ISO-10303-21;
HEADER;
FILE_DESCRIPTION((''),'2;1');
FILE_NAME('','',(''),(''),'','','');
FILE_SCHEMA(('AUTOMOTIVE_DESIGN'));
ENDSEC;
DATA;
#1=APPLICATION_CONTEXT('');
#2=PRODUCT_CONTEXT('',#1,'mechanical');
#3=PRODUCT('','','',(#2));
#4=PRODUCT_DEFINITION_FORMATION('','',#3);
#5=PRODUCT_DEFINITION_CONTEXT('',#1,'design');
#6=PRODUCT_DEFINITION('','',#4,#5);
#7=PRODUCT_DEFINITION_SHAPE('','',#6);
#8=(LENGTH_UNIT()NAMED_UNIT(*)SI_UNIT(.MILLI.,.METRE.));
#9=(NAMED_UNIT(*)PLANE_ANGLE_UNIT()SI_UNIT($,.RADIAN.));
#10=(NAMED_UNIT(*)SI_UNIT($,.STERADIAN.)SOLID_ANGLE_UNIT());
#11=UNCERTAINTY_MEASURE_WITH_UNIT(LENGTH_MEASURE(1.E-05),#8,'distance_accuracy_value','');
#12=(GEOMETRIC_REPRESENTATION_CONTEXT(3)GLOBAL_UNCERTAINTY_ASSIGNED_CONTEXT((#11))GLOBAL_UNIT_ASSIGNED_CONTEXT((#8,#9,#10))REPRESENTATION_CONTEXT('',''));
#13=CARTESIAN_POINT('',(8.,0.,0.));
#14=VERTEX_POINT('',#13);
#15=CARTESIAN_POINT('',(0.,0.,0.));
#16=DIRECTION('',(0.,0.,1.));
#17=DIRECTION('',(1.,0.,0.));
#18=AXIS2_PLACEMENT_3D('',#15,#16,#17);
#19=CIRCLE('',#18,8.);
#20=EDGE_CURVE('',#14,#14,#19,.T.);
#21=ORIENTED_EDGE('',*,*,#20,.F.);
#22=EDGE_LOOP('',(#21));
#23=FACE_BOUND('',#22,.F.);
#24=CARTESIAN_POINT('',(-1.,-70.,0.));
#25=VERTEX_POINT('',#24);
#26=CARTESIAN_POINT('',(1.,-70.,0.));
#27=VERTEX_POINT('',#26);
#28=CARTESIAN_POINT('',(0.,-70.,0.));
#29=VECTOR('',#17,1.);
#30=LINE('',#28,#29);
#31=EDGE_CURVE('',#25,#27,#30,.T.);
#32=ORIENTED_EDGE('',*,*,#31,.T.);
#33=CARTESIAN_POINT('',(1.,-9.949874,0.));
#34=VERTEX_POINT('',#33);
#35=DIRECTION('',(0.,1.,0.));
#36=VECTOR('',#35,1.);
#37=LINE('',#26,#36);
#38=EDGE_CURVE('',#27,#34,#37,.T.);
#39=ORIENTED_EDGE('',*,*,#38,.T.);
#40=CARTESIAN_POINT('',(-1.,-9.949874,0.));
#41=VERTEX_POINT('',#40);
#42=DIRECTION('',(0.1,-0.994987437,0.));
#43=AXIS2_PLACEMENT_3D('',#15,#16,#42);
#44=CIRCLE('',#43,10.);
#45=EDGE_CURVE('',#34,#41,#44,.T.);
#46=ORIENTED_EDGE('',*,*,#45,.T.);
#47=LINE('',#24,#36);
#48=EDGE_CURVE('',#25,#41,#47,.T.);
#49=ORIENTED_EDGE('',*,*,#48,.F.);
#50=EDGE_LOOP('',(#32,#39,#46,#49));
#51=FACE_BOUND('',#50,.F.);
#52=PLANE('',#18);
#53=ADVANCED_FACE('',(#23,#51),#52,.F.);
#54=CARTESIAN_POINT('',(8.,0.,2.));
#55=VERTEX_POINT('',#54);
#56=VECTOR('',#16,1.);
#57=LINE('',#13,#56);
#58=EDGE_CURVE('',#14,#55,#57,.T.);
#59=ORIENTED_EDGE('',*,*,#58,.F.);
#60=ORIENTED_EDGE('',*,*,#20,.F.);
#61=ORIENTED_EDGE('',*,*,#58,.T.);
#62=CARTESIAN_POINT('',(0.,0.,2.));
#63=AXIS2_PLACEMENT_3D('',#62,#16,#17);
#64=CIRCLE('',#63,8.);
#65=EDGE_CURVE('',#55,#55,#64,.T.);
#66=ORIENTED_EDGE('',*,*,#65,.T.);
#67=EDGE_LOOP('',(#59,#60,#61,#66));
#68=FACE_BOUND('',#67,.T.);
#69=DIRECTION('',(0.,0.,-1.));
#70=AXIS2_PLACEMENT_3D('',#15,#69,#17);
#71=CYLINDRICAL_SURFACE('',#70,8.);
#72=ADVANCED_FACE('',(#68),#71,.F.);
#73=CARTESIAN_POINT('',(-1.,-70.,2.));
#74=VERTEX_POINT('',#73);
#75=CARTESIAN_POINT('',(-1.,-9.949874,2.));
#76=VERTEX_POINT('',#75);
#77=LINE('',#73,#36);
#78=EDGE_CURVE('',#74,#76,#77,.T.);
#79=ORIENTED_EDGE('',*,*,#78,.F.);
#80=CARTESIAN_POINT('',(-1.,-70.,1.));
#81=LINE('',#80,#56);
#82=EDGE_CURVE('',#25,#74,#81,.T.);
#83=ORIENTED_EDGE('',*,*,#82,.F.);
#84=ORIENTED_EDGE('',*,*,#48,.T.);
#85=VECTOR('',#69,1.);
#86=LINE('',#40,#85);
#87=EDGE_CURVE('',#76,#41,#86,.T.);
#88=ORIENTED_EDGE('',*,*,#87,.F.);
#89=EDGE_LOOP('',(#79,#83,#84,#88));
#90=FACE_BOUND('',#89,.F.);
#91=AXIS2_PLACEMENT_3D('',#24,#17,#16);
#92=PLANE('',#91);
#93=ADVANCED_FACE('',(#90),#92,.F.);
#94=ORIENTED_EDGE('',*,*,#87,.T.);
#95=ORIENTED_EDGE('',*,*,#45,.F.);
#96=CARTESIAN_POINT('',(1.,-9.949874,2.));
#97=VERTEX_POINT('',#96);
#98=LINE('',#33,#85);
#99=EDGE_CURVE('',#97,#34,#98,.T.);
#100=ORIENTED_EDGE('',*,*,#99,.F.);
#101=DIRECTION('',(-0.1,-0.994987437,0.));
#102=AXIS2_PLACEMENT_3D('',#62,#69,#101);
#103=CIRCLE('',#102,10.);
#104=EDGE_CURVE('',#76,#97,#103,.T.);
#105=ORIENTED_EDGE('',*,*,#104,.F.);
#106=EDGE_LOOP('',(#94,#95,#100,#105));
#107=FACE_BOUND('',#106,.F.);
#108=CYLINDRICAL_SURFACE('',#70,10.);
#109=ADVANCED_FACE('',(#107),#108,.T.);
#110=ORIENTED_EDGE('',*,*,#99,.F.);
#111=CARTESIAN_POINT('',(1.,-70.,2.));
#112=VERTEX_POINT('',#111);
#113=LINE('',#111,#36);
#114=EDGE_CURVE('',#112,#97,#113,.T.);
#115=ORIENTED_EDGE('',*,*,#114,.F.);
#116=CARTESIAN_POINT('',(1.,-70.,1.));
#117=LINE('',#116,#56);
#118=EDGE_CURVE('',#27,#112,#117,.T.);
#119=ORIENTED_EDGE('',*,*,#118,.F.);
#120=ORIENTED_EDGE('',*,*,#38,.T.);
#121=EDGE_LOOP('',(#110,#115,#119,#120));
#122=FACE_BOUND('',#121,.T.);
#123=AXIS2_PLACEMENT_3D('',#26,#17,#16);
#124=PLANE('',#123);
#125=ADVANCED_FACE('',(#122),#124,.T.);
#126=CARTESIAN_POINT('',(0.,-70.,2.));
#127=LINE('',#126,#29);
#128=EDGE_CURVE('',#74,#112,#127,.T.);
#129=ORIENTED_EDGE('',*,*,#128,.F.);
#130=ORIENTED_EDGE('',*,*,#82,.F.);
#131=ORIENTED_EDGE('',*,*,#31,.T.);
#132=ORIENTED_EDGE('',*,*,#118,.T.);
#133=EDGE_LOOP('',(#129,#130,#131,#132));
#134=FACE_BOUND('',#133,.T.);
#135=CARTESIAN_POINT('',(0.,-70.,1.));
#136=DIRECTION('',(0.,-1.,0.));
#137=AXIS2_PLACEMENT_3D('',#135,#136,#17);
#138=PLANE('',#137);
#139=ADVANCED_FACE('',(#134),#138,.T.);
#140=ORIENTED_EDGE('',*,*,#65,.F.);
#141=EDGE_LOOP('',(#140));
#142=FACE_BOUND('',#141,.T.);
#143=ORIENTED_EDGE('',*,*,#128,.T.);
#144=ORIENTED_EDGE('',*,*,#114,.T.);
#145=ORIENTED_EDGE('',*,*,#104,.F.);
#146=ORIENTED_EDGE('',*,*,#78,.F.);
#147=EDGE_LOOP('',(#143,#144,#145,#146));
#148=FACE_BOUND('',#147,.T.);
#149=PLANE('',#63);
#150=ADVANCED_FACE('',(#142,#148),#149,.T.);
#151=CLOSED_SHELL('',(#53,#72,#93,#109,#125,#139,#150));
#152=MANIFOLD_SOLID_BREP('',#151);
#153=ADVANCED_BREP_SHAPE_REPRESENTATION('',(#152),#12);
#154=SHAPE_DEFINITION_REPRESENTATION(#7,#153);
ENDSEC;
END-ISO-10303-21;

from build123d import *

# Parameters (mm, degrees)
F0_R     = 10
F0_R_2   = 8
F1_DEPTH = 2
F3_W     = 2
F3_H     = 2


with BuildPart() as f1:
    # F0 (on Top) → F1 (new body)
    with BuildSketch(Plane.XY):
        Circle(F0_R)
        Circle(F0_R_2, mode=Mode.SUBTRACT)
    extrude(amount=F1_DEPTH)

    # F3 (on offset) → F4 (join, up to the next surface of F1)
    with BuildSketch(Plane.XZ.offset(70)):
        with Locations((0, 1)):
            Rectangle(F3_W, F3_H)
    extrude(until=Until.NEXT, dir=(0, 1, 0))


solid = f1.part
